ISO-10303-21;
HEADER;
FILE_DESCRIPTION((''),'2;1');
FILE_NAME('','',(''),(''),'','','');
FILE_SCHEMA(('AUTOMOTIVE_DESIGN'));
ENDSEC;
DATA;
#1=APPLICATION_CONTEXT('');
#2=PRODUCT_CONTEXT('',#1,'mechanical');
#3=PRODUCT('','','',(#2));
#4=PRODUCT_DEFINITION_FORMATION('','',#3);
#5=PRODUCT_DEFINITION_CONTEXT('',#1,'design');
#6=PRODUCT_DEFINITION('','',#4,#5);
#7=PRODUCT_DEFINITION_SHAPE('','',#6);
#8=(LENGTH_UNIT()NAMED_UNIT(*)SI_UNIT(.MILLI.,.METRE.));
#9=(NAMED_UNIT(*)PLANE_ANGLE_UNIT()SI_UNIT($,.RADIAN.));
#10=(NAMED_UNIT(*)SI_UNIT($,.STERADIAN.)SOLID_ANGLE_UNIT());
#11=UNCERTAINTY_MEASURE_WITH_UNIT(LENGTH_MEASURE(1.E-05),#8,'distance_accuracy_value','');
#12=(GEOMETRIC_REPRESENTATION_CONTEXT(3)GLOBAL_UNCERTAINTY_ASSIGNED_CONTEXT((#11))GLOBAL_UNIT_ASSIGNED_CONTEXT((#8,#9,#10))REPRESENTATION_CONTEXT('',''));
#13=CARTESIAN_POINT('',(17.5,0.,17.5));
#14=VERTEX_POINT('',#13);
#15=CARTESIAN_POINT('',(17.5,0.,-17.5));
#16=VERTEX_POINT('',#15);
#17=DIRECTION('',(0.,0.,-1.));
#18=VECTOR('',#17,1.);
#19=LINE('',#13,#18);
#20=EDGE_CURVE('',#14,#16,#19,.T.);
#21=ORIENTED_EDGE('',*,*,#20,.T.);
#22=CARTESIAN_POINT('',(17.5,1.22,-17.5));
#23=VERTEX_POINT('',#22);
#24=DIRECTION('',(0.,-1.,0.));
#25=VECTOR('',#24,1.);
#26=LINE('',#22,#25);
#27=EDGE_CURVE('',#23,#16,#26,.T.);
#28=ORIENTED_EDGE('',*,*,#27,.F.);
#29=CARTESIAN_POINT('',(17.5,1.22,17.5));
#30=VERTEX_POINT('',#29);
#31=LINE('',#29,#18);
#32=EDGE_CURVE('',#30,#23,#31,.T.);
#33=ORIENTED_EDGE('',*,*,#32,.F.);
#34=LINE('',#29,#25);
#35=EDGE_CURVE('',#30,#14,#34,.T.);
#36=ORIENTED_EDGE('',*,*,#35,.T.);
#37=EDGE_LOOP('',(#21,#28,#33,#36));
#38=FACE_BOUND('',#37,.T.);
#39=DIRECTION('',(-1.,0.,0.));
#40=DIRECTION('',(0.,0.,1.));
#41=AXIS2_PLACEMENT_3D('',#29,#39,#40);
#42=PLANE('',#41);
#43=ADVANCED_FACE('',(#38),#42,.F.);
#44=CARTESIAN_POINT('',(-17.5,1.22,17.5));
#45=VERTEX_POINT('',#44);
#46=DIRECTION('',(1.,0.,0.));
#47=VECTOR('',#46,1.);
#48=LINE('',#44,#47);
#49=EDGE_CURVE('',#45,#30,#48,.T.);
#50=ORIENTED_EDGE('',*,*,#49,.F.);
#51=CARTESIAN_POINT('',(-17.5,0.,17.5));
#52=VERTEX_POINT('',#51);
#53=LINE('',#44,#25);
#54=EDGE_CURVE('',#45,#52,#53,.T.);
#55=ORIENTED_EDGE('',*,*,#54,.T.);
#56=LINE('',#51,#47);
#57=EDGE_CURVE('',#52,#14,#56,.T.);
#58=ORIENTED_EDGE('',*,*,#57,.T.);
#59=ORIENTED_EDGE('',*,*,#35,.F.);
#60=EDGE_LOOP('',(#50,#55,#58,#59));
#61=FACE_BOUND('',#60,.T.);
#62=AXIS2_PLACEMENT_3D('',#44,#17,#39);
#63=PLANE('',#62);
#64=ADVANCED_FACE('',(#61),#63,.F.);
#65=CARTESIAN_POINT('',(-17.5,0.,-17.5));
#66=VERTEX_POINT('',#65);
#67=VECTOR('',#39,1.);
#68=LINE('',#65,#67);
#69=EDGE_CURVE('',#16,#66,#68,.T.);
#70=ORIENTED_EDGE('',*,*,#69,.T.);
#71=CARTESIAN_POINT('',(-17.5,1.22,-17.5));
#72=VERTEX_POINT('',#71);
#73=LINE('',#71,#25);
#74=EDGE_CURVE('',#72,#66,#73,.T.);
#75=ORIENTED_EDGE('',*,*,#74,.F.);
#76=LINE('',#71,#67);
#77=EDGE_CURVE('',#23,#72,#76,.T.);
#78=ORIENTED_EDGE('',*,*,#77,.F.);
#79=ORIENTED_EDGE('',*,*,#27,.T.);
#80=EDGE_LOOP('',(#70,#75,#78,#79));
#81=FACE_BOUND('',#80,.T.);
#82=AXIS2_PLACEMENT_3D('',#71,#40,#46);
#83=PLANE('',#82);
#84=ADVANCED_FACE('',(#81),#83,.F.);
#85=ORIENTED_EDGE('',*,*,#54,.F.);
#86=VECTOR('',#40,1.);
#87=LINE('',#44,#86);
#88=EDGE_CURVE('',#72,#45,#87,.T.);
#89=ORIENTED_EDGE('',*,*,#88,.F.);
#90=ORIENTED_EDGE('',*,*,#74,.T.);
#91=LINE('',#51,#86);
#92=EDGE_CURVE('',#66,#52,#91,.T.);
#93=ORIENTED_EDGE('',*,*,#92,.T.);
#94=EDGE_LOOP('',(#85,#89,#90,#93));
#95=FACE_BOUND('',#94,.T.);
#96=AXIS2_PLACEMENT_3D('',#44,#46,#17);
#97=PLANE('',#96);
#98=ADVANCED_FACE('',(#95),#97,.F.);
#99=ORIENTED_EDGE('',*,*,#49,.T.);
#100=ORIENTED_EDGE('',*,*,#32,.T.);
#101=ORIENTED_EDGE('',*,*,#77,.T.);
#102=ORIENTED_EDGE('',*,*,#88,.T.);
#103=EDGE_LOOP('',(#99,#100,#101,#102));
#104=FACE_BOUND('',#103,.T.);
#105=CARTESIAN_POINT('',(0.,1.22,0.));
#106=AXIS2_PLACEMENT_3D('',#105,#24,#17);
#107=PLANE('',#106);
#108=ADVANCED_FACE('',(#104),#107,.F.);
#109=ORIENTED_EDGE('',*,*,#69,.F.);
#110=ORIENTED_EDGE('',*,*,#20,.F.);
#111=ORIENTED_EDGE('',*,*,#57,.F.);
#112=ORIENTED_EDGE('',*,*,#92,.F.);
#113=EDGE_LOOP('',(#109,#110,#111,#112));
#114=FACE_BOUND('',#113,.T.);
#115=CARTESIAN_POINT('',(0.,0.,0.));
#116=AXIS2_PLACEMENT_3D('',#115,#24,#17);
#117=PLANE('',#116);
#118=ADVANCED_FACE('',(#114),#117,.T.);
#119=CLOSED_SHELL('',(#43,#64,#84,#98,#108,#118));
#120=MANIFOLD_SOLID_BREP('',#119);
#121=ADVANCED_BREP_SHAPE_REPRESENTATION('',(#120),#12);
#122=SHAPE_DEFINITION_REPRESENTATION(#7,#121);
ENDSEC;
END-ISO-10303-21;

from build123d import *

# Parameters (mm, degrees)
SKETCH1_W           = 35
SKETCH1_H           = 35
BOSS_EXTRUDE1_DEPTH = 1.22


with BuildPart() as part:
    # Sketch1 → Boss-Extrude1 (new body)
    with BuildSketch(Plane(origin=(0, 0, 0), x_dir=(1, 0, 0), z_dir=(0, 1, 0))):
        Rectangle(SKETCH1_W, SKETCH1_H)
    extrude(amount=BOSS_EXTRUDE1_DEPTH)


solid = part.part
